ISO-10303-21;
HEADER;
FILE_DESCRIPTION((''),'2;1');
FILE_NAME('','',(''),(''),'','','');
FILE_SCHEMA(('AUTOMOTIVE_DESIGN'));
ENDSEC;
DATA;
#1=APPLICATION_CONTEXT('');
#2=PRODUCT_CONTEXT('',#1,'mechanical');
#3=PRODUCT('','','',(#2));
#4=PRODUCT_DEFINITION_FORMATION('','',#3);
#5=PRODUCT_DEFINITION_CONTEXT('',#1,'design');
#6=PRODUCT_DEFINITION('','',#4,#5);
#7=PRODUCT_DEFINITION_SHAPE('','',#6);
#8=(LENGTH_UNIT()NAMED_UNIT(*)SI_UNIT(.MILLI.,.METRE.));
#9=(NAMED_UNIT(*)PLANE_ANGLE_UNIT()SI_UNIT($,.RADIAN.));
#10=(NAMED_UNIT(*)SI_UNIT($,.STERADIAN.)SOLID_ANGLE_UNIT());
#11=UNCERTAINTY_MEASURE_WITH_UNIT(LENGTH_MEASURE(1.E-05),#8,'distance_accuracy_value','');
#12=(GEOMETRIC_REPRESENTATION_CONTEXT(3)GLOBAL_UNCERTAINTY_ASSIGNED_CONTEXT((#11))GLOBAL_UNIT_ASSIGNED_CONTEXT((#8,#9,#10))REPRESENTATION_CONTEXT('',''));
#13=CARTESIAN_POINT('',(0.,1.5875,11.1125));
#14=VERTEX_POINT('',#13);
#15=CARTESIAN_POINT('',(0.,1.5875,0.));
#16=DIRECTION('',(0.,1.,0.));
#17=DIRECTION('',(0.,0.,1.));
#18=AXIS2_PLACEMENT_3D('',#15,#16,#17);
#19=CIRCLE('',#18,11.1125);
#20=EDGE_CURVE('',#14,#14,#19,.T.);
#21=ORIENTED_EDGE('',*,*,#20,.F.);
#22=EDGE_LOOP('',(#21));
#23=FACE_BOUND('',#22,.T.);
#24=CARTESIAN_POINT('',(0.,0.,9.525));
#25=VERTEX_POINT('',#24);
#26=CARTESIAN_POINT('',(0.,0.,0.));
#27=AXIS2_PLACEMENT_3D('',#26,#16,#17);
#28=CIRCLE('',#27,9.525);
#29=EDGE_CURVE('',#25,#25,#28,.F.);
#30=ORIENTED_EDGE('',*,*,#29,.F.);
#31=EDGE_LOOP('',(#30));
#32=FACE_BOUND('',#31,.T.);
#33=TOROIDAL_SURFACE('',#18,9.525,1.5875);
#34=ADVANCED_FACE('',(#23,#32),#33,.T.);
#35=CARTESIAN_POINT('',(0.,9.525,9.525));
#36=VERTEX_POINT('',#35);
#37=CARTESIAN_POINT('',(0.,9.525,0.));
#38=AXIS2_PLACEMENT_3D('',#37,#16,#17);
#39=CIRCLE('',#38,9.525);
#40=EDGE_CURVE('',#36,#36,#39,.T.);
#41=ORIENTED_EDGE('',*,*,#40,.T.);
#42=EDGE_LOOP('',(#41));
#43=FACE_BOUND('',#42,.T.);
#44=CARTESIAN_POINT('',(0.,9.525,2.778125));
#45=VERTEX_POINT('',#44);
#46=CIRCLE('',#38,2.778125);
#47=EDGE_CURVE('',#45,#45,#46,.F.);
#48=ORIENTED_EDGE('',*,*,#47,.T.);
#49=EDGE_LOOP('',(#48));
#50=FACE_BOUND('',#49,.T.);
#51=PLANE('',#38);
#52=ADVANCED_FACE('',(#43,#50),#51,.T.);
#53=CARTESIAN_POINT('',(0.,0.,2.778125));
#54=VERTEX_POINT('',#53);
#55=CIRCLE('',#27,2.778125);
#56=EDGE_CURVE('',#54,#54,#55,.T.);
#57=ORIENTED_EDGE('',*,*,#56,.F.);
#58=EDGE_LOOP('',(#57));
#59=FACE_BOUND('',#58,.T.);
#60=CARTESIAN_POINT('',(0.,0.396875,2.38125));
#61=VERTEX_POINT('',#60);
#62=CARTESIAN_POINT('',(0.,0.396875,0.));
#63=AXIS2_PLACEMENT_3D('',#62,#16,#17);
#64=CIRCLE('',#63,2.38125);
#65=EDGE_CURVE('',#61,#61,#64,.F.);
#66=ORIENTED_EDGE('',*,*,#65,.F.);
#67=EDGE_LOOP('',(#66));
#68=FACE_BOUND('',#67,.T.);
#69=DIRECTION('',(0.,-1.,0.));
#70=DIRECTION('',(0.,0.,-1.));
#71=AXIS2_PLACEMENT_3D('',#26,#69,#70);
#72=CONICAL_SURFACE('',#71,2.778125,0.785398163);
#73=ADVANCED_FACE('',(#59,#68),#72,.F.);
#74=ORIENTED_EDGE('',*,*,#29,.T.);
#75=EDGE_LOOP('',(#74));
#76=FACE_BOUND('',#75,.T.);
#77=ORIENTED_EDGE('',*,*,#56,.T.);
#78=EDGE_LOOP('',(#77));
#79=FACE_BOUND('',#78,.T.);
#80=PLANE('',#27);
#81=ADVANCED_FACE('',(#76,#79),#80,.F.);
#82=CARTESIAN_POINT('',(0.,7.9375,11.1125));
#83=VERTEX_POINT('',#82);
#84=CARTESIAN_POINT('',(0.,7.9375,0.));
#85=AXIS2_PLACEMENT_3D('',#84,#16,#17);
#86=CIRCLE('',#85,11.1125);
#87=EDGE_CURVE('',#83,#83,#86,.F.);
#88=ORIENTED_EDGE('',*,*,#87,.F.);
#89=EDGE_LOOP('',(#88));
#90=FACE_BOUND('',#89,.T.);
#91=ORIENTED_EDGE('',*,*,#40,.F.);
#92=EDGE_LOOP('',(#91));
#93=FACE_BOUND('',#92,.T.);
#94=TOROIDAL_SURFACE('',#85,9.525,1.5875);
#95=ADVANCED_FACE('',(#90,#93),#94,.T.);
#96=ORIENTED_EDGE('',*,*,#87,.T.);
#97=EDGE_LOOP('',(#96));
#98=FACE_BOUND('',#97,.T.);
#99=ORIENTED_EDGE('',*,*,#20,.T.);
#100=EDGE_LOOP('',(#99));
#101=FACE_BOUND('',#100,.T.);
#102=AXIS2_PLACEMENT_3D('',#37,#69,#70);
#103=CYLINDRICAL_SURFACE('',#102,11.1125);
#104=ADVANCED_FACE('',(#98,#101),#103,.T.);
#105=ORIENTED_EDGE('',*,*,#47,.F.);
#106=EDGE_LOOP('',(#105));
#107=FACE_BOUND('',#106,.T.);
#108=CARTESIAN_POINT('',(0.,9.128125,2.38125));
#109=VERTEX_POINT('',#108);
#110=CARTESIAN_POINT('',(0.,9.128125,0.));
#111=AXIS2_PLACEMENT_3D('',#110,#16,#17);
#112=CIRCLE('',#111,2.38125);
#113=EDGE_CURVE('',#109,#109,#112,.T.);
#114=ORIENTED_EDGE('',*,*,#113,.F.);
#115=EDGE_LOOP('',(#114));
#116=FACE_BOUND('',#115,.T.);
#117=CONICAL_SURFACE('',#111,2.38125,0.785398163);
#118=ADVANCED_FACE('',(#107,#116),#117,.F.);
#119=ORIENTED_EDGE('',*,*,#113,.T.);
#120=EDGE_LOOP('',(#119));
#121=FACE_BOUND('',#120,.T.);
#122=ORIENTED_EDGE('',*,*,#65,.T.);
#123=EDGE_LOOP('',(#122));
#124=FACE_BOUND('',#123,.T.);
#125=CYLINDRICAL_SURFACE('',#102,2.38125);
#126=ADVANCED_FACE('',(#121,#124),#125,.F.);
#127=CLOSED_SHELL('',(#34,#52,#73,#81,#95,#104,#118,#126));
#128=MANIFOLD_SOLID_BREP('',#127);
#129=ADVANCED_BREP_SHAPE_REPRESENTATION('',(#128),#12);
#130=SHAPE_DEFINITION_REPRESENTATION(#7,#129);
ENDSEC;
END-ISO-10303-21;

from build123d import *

# Parameters (mm, degrees)
SKETCH1_R           = 11.1125
SKETCH1_R_2         = 2.38125
BOSS_EXTRUDE1_DEPTH = 9.525
FILLET2_R           = 1.5875
CHAMFER2_SIZE       = 0.396875


with BuildPart() as part:
    # Sketch1 → Boss-Extrude1 (new body)
    with BuildSketch(Plane(origin=(0, 0, 0), x_dir=(1, 0, 0), z_dir=(0, 1, 0))):
        Circle(SKETCH1_R)
        Circle(SKETCH1_R_2, mode=Mode.SUBTRACT)
    extrude(amount=BOSS_EXTRUDE1_DEPTH)

    # Fillet2
    fillet2_edges = [part.edges().sort_by_distance(p)[0] for p in [
        (-11.1125, 0, 0),
        (-11.1125, 9.525, 0),
    ]]
    fillet(fillet2_edges, radius=FILLET2_R)

    # Chamfer2
    chamfer2_edges = [part.edges().sort_by_distance(p)[0] for p in [
        (-2.38125, 0, 0),
        (-2.38125, 9.525, 0),
    ]]
    chamfer(chamfer2_edges, length=CHAMFER2_SIZE)


solid = part.part
